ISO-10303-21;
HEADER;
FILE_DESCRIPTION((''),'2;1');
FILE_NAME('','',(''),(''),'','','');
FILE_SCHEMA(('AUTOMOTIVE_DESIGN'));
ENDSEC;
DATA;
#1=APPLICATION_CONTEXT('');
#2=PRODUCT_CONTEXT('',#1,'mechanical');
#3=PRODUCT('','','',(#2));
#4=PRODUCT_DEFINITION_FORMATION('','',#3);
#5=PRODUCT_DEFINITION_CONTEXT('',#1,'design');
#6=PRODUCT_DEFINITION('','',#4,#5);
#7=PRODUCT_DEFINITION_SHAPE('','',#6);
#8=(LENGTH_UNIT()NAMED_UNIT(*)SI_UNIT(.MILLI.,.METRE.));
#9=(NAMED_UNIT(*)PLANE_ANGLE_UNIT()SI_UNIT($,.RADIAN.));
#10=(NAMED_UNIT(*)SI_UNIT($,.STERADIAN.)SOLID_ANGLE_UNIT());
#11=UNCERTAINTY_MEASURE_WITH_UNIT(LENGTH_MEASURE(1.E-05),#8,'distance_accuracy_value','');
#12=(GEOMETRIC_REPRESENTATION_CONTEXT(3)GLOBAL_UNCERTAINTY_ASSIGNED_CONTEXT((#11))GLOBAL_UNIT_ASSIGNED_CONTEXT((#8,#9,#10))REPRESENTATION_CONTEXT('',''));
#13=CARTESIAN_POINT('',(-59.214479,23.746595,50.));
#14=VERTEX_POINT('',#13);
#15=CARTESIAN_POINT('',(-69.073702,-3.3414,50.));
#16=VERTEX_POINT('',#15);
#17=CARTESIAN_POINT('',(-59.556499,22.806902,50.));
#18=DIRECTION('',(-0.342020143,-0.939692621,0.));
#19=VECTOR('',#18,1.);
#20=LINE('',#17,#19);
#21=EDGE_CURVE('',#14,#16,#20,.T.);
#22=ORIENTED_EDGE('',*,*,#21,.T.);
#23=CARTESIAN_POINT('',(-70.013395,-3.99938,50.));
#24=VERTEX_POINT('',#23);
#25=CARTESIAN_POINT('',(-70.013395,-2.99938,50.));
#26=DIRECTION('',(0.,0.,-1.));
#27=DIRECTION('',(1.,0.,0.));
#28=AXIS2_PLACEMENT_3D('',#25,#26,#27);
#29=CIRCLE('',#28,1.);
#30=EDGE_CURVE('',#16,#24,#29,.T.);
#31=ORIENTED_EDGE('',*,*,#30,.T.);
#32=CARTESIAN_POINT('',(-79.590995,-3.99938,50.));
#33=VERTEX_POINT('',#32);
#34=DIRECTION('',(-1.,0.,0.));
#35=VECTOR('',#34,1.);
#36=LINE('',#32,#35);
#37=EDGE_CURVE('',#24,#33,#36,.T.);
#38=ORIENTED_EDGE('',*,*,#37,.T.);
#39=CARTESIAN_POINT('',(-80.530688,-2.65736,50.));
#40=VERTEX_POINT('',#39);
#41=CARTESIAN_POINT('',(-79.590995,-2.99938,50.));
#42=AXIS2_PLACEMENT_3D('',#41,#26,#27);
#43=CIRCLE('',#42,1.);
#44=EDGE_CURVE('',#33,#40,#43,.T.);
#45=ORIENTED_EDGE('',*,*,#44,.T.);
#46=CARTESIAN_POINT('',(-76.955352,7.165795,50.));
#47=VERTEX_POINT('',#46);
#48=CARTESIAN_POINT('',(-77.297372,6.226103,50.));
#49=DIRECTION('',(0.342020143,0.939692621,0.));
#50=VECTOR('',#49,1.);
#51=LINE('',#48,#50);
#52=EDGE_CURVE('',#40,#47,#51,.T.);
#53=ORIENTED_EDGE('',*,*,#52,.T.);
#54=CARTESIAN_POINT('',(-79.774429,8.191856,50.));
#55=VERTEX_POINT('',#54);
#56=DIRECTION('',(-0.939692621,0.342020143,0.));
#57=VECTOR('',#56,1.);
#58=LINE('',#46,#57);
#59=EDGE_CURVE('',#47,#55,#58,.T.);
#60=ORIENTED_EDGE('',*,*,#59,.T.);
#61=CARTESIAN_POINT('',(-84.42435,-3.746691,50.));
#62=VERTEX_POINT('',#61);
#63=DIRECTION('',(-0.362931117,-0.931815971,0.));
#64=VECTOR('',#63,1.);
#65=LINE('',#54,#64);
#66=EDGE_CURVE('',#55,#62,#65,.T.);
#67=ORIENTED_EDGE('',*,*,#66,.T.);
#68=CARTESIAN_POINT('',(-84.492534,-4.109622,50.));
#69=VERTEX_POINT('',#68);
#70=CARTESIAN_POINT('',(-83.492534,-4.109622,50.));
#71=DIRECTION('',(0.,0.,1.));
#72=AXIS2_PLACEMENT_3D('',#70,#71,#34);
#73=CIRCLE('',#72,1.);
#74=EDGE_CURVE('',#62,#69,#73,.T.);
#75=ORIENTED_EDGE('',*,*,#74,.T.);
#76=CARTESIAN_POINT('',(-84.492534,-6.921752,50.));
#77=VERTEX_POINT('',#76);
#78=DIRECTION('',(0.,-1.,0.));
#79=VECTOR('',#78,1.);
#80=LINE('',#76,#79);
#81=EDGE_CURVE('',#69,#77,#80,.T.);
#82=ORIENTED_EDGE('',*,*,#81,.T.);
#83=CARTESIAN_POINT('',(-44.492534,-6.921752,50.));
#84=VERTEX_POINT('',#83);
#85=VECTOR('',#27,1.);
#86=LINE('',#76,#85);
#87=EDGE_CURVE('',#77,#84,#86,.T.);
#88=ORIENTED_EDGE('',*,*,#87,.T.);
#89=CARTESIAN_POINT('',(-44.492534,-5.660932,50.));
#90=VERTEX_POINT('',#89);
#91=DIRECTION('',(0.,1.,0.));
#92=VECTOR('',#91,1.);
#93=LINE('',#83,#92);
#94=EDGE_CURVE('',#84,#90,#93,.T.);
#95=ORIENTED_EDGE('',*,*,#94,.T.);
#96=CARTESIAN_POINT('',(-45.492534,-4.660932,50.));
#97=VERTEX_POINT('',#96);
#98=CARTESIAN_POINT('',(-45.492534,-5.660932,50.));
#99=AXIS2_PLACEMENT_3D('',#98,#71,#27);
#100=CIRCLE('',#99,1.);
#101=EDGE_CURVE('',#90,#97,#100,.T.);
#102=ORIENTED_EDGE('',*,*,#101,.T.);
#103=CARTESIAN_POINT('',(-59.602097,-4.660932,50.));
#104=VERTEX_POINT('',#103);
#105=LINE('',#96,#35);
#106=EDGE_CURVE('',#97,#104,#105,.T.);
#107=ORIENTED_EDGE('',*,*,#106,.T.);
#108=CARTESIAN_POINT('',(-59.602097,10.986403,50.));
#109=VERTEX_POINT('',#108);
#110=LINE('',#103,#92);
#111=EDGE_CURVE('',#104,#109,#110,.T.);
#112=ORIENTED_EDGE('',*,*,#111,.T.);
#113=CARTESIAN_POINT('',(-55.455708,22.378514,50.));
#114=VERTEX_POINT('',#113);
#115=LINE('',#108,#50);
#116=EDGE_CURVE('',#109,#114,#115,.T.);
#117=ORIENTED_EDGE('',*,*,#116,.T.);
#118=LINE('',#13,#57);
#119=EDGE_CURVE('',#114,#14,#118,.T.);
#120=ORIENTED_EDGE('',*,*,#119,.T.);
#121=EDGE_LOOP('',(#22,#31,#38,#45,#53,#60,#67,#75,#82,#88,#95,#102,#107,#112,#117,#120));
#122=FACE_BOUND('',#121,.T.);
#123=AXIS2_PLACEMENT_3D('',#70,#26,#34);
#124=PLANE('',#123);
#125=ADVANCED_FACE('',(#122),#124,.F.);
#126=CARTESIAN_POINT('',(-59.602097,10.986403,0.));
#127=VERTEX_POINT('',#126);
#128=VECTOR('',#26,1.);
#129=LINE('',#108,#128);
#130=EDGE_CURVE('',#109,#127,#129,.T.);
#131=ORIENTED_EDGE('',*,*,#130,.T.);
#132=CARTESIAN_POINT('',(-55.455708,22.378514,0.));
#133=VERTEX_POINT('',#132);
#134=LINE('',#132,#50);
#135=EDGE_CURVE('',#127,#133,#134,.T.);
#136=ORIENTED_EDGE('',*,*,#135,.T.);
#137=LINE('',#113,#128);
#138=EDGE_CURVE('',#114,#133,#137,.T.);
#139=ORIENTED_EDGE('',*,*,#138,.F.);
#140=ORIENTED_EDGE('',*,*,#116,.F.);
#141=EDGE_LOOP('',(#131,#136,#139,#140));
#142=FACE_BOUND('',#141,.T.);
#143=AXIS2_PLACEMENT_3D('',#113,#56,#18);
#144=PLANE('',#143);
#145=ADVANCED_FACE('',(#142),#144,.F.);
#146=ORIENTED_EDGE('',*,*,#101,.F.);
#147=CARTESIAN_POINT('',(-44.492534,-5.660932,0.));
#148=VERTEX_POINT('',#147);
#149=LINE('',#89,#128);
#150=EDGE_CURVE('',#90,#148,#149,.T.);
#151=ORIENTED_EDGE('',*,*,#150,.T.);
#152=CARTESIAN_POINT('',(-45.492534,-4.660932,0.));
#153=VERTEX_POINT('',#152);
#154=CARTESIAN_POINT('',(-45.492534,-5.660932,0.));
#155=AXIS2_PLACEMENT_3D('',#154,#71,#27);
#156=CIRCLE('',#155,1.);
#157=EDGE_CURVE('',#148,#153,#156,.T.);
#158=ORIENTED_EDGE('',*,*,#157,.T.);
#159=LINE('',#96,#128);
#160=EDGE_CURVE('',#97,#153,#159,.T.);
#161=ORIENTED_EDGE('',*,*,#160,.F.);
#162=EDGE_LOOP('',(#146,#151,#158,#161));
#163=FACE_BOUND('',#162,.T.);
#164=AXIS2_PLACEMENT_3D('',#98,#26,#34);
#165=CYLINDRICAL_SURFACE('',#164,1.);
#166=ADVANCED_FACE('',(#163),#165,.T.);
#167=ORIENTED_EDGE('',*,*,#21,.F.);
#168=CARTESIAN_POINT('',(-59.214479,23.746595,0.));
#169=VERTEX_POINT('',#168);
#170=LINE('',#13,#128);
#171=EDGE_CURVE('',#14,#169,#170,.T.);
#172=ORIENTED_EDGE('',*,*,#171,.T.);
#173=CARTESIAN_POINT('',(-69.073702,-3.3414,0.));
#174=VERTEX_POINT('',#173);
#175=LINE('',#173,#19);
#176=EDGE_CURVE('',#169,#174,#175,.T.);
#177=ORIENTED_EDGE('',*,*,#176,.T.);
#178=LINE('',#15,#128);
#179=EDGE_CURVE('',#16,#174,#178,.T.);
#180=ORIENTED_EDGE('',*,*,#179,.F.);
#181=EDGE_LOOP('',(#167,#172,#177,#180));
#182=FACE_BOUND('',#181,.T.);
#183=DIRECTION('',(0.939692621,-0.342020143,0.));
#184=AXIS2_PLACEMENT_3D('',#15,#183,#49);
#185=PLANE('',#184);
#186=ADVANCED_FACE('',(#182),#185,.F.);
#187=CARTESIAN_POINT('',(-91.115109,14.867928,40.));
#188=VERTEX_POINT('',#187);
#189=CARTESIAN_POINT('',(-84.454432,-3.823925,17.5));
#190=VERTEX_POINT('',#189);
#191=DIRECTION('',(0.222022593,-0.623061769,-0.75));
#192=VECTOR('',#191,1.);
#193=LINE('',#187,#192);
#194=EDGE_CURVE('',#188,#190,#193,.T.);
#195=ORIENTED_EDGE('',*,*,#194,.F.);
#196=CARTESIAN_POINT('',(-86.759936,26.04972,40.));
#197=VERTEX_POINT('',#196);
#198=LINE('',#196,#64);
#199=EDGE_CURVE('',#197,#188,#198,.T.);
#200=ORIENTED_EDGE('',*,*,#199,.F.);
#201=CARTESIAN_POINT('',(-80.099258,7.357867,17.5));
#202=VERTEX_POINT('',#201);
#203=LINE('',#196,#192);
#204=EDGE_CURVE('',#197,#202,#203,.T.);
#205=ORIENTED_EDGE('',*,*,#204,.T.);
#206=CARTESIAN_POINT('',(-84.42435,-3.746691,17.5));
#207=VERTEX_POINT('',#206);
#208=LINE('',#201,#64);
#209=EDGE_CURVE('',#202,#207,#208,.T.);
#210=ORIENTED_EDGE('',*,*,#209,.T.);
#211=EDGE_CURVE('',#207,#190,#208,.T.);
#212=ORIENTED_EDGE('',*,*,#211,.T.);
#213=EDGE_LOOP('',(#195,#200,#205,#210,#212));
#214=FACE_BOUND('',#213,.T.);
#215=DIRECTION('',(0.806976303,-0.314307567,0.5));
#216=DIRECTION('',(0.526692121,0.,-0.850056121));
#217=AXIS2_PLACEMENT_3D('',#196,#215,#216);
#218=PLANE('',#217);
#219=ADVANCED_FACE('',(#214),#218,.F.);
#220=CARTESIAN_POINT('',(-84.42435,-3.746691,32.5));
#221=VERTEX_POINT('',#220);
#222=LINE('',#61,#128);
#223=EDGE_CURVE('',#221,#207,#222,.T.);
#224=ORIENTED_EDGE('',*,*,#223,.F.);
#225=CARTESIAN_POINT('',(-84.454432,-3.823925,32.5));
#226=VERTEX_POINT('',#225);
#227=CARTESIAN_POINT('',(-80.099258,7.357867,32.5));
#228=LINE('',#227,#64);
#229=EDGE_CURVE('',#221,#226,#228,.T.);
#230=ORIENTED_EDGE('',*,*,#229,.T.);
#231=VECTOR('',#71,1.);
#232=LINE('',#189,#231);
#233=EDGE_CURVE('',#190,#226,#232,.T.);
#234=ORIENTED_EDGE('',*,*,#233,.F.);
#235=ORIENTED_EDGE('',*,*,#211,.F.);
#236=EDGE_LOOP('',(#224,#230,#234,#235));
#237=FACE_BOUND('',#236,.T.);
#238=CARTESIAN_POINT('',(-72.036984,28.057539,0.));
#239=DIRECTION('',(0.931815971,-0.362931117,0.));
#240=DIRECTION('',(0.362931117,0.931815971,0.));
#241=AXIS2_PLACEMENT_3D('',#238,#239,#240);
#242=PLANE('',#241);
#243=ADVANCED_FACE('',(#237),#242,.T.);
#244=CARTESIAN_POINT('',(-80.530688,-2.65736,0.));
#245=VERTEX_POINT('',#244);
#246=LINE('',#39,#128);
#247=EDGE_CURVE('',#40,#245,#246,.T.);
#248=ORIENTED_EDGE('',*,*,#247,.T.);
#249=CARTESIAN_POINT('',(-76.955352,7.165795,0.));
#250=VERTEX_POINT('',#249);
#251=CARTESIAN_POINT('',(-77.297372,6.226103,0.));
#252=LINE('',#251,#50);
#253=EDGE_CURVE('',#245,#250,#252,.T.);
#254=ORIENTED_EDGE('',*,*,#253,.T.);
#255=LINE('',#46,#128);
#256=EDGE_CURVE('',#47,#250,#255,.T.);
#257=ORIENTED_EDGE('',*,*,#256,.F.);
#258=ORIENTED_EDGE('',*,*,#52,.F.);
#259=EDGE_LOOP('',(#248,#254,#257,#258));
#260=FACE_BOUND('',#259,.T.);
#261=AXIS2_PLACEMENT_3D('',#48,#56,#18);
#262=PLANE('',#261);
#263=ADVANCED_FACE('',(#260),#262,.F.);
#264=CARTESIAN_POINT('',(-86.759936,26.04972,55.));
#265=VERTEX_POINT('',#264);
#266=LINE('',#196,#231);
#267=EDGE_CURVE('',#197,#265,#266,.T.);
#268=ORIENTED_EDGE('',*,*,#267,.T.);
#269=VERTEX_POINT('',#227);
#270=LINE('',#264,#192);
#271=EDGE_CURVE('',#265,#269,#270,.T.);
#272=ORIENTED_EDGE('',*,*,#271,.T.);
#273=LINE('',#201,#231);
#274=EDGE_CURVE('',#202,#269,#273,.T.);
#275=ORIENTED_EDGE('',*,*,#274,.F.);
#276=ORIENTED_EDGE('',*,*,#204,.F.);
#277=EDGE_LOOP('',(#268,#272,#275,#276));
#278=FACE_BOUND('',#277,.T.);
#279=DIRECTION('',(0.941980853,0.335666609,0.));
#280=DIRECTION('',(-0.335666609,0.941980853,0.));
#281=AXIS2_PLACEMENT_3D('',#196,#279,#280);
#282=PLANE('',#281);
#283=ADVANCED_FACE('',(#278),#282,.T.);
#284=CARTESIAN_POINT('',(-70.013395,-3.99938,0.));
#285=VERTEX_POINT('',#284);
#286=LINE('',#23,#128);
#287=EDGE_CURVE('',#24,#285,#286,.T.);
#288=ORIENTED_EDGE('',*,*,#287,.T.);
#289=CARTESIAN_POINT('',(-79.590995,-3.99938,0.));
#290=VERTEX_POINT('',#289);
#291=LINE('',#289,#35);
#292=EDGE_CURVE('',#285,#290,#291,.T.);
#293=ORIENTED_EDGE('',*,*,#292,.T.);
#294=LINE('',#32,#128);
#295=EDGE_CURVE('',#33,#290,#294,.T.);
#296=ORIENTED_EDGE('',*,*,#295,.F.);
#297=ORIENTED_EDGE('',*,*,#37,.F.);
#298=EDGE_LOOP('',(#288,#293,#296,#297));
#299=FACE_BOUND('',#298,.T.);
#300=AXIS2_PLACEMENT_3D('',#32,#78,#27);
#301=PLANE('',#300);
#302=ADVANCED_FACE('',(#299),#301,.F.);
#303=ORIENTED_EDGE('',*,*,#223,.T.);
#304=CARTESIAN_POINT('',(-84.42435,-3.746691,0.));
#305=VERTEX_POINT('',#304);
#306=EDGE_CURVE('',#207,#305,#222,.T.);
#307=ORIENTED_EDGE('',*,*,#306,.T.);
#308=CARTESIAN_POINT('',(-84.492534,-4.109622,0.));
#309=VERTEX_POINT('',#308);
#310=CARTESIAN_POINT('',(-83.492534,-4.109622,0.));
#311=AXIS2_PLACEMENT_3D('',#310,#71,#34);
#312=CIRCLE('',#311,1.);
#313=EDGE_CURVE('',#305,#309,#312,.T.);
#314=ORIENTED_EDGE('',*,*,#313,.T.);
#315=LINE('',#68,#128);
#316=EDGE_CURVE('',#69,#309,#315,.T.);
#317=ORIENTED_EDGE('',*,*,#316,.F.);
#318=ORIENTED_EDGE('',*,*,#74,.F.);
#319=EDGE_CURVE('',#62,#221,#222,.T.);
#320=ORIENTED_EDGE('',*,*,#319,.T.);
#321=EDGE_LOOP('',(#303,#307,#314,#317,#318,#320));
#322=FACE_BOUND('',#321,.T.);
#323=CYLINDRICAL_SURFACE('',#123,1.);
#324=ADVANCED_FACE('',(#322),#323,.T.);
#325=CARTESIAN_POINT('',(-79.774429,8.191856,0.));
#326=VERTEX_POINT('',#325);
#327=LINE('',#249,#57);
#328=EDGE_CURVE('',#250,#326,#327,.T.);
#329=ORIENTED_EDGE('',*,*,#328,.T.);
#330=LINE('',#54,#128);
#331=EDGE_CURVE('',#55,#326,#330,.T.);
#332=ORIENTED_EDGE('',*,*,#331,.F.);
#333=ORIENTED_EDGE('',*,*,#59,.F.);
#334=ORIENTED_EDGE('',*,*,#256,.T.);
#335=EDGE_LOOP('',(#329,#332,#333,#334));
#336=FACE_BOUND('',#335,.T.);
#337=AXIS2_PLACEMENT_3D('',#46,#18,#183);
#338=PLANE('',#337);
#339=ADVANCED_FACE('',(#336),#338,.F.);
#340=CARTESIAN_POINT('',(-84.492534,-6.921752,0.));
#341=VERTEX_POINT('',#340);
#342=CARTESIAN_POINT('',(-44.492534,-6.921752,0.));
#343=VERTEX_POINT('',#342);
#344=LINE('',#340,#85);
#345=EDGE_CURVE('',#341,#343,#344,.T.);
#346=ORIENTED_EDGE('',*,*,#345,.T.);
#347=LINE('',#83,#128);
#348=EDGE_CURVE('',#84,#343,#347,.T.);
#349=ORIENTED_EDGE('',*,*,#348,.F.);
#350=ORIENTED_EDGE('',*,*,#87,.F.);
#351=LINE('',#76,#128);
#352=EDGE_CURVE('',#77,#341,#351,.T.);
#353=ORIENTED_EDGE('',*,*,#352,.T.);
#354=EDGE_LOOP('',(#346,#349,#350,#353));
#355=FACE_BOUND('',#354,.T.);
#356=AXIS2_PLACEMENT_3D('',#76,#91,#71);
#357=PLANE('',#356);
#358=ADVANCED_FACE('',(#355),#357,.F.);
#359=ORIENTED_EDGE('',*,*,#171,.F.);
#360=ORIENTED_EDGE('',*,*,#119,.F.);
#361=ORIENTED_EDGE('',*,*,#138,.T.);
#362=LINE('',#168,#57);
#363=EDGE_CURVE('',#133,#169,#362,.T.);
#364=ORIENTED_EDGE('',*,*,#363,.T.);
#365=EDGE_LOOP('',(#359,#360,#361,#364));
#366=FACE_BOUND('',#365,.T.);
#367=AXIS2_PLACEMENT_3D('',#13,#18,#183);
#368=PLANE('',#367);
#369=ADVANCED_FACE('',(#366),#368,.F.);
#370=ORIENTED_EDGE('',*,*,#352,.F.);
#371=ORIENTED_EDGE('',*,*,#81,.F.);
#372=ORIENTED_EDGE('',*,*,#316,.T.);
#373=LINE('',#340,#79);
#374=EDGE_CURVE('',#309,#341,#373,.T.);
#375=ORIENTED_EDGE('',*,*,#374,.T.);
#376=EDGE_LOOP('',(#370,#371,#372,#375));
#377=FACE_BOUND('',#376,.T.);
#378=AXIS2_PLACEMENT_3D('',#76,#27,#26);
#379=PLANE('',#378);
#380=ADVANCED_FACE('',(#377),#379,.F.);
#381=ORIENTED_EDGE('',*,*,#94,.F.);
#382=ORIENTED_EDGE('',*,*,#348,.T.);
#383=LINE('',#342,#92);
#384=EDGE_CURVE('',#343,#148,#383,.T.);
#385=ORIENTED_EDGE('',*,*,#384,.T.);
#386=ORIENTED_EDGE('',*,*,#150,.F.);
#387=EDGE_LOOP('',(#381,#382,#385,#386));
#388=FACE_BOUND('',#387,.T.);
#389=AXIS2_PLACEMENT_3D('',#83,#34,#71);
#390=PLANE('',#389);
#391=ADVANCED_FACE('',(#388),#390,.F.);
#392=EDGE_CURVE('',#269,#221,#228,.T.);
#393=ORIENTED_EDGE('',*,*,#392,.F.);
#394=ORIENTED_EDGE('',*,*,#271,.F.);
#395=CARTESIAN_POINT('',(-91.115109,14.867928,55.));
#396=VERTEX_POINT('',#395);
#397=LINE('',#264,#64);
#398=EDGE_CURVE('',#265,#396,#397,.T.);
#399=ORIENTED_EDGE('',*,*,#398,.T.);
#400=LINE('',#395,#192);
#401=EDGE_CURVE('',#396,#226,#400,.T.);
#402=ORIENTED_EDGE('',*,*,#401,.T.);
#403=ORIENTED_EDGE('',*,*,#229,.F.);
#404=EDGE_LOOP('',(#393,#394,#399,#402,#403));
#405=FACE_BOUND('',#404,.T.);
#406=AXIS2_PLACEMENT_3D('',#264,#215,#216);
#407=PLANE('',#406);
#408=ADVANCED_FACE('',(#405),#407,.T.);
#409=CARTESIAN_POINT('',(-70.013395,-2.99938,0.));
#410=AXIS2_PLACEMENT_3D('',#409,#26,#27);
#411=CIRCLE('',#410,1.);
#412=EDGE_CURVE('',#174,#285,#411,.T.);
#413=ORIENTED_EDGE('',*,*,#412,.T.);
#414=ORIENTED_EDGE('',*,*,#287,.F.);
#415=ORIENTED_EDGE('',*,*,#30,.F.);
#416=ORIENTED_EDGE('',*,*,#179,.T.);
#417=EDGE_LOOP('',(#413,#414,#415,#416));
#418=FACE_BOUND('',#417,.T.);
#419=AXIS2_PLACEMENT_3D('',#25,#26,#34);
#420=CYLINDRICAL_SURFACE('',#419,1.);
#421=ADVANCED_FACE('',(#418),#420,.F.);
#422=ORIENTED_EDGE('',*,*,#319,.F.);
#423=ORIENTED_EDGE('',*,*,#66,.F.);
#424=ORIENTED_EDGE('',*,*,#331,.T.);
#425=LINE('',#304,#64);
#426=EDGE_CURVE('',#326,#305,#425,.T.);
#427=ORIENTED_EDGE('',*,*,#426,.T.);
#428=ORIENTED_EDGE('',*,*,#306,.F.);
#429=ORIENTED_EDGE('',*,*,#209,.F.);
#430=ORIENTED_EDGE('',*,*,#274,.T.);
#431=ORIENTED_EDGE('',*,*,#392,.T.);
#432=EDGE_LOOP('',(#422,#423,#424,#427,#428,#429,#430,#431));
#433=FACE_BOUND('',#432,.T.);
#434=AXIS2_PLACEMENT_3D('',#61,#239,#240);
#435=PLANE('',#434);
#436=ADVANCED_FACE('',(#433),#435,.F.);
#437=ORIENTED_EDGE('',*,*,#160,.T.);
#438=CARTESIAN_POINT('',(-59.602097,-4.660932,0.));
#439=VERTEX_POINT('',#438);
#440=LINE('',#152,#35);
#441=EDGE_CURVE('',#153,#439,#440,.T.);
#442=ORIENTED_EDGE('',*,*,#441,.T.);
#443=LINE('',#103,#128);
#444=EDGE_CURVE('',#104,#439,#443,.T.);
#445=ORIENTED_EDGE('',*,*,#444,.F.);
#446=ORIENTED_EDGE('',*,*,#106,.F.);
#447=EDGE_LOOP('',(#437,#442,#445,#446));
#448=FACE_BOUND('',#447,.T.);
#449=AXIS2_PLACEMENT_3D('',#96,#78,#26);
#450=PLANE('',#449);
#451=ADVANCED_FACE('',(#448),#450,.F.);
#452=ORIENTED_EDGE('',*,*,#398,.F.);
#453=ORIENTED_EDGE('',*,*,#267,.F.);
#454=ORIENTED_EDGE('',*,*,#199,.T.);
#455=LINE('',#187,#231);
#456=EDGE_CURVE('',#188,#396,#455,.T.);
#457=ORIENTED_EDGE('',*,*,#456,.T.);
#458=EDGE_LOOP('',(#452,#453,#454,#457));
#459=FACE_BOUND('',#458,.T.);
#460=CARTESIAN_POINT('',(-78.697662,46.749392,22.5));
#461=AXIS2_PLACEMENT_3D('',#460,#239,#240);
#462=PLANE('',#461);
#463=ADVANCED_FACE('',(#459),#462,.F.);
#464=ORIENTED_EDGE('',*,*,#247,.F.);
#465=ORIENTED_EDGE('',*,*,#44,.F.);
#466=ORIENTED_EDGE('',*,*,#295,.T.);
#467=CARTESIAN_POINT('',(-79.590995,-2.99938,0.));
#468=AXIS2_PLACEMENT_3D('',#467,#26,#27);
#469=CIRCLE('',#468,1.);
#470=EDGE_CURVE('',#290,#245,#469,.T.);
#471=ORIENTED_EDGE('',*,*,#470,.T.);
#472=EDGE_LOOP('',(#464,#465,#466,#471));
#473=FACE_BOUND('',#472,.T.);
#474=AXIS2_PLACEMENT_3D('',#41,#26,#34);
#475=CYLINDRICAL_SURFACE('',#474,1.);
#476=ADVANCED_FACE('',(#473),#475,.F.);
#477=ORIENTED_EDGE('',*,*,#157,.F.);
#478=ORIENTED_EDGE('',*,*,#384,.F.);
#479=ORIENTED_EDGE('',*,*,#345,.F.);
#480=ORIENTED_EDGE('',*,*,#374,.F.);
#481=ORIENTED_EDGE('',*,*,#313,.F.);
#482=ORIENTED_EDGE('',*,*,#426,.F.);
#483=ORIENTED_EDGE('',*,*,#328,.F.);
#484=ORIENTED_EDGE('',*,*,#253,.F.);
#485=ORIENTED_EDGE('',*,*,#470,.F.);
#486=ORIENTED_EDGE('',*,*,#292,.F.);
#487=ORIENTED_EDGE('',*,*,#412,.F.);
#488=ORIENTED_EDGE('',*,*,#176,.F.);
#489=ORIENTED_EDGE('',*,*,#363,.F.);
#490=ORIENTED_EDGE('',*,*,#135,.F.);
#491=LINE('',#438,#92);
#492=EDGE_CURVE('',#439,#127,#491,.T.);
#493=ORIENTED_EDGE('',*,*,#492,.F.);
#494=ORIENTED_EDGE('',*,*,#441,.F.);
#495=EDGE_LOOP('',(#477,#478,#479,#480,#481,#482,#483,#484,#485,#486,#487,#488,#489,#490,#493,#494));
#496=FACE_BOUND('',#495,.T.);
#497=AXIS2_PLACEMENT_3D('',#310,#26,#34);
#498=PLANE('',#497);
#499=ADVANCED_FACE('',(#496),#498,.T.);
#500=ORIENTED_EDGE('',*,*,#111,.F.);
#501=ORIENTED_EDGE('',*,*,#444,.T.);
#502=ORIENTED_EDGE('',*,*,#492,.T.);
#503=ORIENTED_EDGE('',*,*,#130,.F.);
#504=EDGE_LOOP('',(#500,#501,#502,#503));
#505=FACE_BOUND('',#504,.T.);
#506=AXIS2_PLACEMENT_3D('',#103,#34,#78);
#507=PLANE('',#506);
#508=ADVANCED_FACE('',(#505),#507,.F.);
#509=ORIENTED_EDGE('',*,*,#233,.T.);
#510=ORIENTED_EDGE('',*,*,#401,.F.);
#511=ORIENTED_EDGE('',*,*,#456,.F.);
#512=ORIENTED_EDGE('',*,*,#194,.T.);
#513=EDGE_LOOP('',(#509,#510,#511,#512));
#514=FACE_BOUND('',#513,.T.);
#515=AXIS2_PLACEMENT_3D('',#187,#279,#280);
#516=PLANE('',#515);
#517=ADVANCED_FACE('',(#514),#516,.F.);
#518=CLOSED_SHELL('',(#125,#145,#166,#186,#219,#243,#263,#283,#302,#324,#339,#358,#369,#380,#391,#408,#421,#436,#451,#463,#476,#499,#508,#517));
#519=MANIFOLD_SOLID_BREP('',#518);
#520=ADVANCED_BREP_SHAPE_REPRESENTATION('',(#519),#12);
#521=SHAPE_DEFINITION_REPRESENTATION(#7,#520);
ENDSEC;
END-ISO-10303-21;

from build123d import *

# Parameters (mm, degrees)
SALIENTE_EXTRUIR1_DEPTH = 50
CROQUIS3_W              = 15
CROQUIS3_H              = 12


with BuildPart() as part:
    # Croquis1 → Saliente-Extruir1 (new body)
    with BuildSketch(Plane.XY):
        with BuildLine():
            Line((-84.492533904, -6.921751872), (-44.492533904, -6.921751872))
            Line((-44.492533904, -6.921751872), (-44.492533904, -5.660932217))
            ThreePointArc((-44.492533904, -5.660932217), (-44.785427123, -4.953825435), (-45.492533904, -4.660932217))
            Line((-45.492533904, -4.660932217), (-59.602097354, -4.660932217))
            Line((-59.602097354, -4.660932217), (-59.602097354, 10.986403293))
            Line((-59.602097354, 10.986403293), (-55.79772825, 21.438821499))
            Line((-55.79772825, 21.438821499), (-55.455708107, 22.37851412))
            Line((-55.455708107, 22.37851412), (-59.21447859, 23.746594693))
            Line((-59.21447859, 23.746594693), (-59.556498733, 22.806902073))
            Line((-59.556498733, 22.806902073), (-69.073702494, -3.341400356))
            ThreePointArc((-69.073702494, -3.341400356), (-69.439818678, -3.818532257), (-70.013395115, -3.999380213))
            Line((-70.013395115, -3.999380213), (-79.590995067, -3.999380213))
            ThreePointArc((-79.590995067, -3.999380213), (-80.410147111, -3.572956649), (-80.530687688, -2.657360069))
            Line((-80.530687688, -2.657360069), (-77.297371662, 6.226102703))
            Line((-77.297371662, 6.226102703), (-76.955351518, 7.165795324))
            Line((-76.955351518, 7.165795324), (-79.774429381, 8.191855754))
            Line((-79.774429381, 8.191855754), (-80.129339821, 7.280632657))
            Line((-80.129339821, 7.280632657), (-84.424349875, -3.746691195))
            ThreePointArc((-84.424349875, -3.746691195), (-84.475340083, -3.924982082), (-84.492533904, -4.109622312))
            Line((-84.492533904, -4.109622312), (-84.492533904, -6.921751872))
        make_face()
    extrude(amount=SALIENTE_EXTRUIR1_DEPTH)

    # Barrer9: sweep along a path in Croquis7
    with BuildLine(Plane(origin=(-43.940534578, 17.114309903, -27.225418163), x_dir=(0.465907986, -0.181465559, -0.866025404), z_dir=(0.806976303, -0.314307567, 0.5))) as barrer9_path:
        Line((-60.30471847, -28.214335671), (-86.285480583, -13.214335671))
    # Croquis3 → Barrer9 (sweep)
    with BuildSketch(Plane(origin=(-72.036984482, 28.057539326, 0), x_dir=(0, 0, 1), z_dir=(-0.931815971, 0.362931117, 0))):
        with Locations((25, -28.214335671)):
            Rectangle(CROQUIS3_W, CROQUIS3_H)
    sweep(path=barrer9_path.line)


solid = part.part
